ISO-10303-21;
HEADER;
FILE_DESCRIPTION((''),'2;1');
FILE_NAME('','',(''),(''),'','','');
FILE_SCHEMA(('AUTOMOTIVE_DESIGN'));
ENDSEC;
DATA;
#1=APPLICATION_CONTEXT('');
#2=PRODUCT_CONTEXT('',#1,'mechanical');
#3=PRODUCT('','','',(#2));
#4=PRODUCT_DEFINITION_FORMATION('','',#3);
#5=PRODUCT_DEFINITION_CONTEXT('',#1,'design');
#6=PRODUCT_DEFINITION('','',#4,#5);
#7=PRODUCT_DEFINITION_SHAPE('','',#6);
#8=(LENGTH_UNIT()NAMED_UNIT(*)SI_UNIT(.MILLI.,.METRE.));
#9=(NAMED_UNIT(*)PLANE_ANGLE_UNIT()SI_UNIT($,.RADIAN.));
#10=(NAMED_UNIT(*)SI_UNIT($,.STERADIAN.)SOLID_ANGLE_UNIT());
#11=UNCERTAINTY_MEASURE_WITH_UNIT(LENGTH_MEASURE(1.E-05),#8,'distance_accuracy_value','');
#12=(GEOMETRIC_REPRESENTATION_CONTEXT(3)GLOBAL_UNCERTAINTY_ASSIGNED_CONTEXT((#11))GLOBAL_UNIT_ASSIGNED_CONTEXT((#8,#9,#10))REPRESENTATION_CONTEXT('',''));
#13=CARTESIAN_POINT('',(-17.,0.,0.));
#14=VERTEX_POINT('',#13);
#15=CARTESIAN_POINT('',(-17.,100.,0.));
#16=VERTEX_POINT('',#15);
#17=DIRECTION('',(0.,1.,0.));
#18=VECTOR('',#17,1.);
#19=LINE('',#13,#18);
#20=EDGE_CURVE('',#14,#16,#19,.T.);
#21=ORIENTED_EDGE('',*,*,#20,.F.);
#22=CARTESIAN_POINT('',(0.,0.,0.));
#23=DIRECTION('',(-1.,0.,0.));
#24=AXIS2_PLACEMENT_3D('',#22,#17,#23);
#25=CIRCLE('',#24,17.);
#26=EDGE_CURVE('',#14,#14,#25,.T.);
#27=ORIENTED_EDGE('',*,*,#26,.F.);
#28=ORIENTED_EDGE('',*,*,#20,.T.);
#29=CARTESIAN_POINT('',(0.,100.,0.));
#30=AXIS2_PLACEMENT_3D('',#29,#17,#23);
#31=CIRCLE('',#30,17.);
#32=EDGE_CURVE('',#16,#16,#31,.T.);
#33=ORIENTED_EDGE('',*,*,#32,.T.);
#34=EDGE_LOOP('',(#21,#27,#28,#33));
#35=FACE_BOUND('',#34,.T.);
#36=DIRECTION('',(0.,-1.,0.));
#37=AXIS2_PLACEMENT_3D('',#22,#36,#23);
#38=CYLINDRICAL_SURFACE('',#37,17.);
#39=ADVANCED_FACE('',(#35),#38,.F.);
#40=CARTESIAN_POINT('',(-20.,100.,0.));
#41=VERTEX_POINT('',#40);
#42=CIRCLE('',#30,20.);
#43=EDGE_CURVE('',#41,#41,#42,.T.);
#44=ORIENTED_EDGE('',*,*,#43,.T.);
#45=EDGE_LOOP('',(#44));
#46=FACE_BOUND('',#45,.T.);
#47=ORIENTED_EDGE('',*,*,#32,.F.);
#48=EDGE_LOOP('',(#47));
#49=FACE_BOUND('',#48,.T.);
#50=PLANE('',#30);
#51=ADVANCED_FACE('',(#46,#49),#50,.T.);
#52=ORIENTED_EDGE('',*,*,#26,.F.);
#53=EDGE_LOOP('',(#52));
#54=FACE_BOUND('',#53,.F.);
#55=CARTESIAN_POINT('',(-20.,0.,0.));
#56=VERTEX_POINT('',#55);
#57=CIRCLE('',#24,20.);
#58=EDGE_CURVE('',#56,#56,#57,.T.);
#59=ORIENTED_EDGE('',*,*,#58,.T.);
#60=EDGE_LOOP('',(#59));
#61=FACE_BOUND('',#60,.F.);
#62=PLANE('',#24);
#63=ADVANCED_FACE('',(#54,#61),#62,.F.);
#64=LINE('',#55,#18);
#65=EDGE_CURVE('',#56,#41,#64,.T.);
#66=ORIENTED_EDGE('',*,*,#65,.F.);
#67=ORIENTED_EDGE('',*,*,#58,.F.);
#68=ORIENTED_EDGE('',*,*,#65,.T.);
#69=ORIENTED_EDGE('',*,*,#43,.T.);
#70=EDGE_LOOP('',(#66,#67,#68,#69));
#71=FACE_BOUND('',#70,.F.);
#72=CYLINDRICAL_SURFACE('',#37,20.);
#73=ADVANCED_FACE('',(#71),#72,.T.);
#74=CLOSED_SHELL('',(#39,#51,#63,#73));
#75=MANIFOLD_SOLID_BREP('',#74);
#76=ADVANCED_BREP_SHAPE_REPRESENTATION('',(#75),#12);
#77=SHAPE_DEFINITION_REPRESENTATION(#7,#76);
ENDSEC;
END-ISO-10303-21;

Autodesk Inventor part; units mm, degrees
ref_plane "YZ Plane" through (0, 0, 0) normal (1, 0, 0) x (0, 1, 0)
ref_plane "XZ Plane" through (0, 0, 0) normal (0, 1, 0) x (-1, 0, 0)
ref_plane "XY Plane" through (0, 0, 0) normal (0, 0, 1) x (1, 0, 0)
sketch "Esquisse1" plane through (0, 0, 0) normal (0, 1, 0) x (-1, 0, 0)
  circle A0 centre (0, 0) radius 20
  circle A1 centre (0, 0) radius 17
  dimension "d0" = 40
  dimension "d1" = 3
extrude "Extrusion1" add sketch "Esquisse1" along normal blind 100
properties part number "Mat" material "PVC, non plastifié"
